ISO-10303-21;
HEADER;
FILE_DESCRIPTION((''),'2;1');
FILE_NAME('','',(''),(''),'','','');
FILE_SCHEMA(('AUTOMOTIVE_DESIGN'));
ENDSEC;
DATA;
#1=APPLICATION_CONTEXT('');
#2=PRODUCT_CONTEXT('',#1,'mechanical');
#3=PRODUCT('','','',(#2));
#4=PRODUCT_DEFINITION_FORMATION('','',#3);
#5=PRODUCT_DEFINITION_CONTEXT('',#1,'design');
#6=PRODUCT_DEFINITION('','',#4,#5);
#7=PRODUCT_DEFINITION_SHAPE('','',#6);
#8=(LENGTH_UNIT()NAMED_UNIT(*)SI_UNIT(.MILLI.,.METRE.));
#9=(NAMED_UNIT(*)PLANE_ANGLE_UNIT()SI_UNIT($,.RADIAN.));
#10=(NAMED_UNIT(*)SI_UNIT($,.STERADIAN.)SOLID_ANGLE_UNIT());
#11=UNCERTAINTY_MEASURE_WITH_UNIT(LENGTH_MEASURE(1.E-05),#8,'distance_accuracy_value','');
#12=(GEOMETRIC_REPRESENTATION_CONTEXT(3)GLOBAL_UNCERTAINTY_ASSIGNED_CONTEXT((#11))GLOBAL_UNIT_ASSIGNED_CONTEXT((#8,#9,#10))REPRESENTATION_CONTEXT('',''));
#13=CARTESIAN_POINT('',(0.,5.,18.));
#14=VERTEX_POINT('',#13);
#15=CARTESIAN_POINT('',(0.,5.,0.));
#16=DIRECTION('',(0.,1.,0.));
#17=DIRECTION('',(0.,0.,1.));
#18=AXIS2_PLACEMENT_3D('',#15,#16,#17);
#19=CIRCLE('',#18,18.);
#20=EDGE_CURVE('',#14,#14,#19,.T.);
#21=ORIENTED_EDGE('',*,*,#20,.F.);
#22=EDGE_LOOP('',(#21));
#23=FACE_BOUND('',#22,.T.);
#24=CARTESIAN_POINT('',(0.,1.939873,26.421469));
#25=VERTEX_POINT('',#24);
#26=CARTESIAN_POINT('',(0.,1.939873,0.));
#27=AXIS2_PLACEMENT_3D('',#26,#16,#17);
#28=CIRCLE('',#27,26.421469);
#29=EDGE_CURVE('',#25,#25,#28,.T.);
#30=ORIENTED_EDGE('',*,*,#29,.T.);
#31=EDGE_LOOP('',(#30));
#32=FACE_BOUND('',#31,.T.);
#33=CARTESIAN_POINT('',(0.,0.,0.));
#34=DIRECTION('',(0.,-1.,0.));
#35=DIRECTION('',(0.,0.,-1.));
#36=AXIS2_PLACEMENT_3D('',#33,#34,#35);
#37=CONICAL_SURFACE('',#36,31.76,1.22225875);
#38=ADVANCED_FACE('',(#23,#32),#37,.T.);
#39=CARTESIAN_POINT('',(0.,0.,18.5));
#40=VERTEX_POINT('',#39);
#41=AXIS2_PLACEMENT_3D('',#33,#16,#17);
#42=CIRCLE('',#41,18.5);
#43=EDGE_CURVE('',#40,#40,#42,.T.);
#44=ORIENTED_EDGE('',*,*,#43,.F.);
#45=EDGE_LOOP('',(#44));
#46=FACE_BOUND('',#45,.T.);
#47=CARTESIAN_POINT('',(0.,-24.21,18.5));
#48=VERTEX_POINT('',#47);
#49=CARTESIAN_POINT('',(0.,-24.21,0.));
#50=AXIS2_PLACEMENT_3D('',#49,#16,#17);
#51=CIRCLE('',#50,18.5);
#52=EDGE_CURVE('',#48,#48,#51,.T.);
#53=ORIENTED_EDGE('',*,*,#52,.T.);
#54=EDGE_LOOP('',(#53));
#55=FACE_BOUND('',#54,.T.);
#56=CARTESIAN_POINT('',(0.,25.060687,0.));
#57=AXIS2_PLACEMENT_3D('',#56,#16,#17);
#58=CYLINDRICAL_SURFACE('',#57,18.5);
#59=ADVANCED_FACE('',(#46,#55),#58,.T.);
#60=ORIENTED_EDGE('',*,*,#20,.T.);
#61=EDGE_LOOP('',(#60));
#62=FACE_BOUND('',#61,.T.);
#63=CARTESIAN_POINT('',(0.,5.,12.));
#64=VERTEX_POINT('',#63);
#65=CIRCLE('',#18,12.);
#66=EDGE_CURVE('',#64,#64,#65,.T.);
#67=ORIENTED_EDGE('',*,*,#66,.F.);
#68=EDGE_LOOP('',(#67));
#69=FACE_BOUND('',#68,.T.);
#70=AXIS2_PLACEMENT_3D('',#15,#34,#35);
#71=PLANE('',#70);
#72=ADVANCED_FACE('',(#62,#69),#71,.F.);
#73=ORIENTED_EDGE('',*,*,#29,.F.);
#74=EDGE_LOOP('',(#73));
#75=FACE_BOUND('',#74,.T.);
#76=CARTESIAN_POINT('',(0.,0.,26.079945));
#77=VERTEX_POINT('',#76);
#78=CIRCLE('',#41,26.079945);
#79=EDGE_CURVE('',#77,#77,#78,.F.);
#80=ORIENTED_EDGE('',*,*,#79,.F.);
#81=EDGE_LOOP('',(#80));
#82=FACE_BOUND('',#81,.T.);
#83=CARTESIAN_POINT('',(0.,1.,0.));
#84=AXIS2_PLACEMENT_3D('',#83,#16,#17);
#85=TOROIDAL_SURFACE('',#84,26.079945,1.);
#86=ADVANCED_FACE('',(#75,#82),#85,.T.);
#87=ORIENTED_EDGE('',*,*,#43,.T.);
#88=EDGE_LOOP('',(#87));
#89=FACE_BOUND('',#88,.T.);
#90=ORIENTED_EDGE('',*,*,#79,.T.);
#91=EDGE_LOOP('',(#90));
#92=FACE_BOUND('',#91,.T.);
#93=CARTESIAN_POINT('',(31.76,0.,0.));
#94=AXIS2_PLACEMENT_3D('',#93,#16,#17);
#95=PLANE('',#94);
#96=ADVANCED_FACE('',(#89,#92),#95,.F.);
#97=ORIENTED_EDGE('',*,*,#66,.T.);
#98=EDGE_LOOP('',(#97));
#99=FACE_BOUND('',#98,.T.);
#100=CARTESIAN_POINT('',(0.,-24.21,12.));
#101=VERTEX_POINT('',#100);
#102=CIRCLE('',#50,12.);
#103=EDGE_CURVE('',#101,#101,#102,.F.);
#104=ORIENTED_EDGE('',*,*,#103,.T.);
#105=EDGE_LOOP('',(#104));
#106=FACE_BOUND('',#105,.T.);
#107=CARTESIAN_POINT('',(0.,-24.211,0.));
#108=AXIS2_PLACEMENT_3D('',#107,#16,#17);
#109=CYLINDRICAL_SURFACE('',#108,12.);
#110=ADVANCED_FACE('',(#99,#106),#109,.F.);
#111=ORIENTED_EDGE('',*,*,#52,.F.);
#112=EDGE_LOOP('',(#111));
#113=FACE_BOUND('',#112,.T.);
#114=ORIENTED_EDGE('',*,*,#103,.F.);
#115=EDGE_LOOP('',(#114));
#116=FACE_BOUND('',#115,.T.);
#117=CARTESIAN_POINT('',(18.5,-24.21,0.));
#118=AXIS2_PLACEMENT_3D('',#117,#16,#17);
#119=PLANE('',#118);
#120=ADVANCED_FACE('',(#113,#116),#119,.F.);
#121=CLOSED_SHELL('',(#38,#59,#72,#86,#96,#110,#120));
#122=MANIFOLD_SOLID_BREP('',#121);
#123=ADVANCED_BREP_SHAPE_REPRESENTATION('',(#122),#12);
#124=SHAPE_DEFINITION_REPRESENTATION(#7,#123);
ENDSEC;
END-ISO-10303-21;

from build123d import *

# Parameters (mm, degrees)
CUT_EXTRUDE1_REACH = 31.21
SKETCH2_R          = 12
FILLET1_R          = 1


with BuildPart() as part:
    # Sketch1 → Revolve1 (revolve)
    with BuildSketch(Plane.XY):
        Polygon((0, 5), (18, 5), (31.76, 0), (18.5, 0), (18.5, -24.21), (0, -24.21), align=None)
    revolve(axis=Axis((0, 25.060687023, 0), (0, -1, 0)))

    # Sketch2 → Cut-Extrude1 (cut, up to next)
    with BuildSketch(Plane(origin=(0, 5, 0), x_dir=(1, 0, 0), z_dir=(0, 1, 0)), mode=Mode.PRIVATE) as cut_extrude1_sk1:
        Circle(SKETCH2_R)
    cut_extrude1_tool1 = extrude(cut_extrude1_sk1.sketch, amount=-CUT_EXTRUDE1_REACH, mode=Mode.PRIVATE) & part.part
    add(cut_extrude1_tool1.solids().sort_by_distance((0, 5, 0))[0], mode=Mode.SUBTRACT)

    # Fillet1
    fillet1_edges = [part.edges().sort_by_distance(p)[0] for p in [
        (-31.76, 0, 0),
    ]]
    fillet(fillet1_edges, radius=FILLET1_R)


solid = part.part
